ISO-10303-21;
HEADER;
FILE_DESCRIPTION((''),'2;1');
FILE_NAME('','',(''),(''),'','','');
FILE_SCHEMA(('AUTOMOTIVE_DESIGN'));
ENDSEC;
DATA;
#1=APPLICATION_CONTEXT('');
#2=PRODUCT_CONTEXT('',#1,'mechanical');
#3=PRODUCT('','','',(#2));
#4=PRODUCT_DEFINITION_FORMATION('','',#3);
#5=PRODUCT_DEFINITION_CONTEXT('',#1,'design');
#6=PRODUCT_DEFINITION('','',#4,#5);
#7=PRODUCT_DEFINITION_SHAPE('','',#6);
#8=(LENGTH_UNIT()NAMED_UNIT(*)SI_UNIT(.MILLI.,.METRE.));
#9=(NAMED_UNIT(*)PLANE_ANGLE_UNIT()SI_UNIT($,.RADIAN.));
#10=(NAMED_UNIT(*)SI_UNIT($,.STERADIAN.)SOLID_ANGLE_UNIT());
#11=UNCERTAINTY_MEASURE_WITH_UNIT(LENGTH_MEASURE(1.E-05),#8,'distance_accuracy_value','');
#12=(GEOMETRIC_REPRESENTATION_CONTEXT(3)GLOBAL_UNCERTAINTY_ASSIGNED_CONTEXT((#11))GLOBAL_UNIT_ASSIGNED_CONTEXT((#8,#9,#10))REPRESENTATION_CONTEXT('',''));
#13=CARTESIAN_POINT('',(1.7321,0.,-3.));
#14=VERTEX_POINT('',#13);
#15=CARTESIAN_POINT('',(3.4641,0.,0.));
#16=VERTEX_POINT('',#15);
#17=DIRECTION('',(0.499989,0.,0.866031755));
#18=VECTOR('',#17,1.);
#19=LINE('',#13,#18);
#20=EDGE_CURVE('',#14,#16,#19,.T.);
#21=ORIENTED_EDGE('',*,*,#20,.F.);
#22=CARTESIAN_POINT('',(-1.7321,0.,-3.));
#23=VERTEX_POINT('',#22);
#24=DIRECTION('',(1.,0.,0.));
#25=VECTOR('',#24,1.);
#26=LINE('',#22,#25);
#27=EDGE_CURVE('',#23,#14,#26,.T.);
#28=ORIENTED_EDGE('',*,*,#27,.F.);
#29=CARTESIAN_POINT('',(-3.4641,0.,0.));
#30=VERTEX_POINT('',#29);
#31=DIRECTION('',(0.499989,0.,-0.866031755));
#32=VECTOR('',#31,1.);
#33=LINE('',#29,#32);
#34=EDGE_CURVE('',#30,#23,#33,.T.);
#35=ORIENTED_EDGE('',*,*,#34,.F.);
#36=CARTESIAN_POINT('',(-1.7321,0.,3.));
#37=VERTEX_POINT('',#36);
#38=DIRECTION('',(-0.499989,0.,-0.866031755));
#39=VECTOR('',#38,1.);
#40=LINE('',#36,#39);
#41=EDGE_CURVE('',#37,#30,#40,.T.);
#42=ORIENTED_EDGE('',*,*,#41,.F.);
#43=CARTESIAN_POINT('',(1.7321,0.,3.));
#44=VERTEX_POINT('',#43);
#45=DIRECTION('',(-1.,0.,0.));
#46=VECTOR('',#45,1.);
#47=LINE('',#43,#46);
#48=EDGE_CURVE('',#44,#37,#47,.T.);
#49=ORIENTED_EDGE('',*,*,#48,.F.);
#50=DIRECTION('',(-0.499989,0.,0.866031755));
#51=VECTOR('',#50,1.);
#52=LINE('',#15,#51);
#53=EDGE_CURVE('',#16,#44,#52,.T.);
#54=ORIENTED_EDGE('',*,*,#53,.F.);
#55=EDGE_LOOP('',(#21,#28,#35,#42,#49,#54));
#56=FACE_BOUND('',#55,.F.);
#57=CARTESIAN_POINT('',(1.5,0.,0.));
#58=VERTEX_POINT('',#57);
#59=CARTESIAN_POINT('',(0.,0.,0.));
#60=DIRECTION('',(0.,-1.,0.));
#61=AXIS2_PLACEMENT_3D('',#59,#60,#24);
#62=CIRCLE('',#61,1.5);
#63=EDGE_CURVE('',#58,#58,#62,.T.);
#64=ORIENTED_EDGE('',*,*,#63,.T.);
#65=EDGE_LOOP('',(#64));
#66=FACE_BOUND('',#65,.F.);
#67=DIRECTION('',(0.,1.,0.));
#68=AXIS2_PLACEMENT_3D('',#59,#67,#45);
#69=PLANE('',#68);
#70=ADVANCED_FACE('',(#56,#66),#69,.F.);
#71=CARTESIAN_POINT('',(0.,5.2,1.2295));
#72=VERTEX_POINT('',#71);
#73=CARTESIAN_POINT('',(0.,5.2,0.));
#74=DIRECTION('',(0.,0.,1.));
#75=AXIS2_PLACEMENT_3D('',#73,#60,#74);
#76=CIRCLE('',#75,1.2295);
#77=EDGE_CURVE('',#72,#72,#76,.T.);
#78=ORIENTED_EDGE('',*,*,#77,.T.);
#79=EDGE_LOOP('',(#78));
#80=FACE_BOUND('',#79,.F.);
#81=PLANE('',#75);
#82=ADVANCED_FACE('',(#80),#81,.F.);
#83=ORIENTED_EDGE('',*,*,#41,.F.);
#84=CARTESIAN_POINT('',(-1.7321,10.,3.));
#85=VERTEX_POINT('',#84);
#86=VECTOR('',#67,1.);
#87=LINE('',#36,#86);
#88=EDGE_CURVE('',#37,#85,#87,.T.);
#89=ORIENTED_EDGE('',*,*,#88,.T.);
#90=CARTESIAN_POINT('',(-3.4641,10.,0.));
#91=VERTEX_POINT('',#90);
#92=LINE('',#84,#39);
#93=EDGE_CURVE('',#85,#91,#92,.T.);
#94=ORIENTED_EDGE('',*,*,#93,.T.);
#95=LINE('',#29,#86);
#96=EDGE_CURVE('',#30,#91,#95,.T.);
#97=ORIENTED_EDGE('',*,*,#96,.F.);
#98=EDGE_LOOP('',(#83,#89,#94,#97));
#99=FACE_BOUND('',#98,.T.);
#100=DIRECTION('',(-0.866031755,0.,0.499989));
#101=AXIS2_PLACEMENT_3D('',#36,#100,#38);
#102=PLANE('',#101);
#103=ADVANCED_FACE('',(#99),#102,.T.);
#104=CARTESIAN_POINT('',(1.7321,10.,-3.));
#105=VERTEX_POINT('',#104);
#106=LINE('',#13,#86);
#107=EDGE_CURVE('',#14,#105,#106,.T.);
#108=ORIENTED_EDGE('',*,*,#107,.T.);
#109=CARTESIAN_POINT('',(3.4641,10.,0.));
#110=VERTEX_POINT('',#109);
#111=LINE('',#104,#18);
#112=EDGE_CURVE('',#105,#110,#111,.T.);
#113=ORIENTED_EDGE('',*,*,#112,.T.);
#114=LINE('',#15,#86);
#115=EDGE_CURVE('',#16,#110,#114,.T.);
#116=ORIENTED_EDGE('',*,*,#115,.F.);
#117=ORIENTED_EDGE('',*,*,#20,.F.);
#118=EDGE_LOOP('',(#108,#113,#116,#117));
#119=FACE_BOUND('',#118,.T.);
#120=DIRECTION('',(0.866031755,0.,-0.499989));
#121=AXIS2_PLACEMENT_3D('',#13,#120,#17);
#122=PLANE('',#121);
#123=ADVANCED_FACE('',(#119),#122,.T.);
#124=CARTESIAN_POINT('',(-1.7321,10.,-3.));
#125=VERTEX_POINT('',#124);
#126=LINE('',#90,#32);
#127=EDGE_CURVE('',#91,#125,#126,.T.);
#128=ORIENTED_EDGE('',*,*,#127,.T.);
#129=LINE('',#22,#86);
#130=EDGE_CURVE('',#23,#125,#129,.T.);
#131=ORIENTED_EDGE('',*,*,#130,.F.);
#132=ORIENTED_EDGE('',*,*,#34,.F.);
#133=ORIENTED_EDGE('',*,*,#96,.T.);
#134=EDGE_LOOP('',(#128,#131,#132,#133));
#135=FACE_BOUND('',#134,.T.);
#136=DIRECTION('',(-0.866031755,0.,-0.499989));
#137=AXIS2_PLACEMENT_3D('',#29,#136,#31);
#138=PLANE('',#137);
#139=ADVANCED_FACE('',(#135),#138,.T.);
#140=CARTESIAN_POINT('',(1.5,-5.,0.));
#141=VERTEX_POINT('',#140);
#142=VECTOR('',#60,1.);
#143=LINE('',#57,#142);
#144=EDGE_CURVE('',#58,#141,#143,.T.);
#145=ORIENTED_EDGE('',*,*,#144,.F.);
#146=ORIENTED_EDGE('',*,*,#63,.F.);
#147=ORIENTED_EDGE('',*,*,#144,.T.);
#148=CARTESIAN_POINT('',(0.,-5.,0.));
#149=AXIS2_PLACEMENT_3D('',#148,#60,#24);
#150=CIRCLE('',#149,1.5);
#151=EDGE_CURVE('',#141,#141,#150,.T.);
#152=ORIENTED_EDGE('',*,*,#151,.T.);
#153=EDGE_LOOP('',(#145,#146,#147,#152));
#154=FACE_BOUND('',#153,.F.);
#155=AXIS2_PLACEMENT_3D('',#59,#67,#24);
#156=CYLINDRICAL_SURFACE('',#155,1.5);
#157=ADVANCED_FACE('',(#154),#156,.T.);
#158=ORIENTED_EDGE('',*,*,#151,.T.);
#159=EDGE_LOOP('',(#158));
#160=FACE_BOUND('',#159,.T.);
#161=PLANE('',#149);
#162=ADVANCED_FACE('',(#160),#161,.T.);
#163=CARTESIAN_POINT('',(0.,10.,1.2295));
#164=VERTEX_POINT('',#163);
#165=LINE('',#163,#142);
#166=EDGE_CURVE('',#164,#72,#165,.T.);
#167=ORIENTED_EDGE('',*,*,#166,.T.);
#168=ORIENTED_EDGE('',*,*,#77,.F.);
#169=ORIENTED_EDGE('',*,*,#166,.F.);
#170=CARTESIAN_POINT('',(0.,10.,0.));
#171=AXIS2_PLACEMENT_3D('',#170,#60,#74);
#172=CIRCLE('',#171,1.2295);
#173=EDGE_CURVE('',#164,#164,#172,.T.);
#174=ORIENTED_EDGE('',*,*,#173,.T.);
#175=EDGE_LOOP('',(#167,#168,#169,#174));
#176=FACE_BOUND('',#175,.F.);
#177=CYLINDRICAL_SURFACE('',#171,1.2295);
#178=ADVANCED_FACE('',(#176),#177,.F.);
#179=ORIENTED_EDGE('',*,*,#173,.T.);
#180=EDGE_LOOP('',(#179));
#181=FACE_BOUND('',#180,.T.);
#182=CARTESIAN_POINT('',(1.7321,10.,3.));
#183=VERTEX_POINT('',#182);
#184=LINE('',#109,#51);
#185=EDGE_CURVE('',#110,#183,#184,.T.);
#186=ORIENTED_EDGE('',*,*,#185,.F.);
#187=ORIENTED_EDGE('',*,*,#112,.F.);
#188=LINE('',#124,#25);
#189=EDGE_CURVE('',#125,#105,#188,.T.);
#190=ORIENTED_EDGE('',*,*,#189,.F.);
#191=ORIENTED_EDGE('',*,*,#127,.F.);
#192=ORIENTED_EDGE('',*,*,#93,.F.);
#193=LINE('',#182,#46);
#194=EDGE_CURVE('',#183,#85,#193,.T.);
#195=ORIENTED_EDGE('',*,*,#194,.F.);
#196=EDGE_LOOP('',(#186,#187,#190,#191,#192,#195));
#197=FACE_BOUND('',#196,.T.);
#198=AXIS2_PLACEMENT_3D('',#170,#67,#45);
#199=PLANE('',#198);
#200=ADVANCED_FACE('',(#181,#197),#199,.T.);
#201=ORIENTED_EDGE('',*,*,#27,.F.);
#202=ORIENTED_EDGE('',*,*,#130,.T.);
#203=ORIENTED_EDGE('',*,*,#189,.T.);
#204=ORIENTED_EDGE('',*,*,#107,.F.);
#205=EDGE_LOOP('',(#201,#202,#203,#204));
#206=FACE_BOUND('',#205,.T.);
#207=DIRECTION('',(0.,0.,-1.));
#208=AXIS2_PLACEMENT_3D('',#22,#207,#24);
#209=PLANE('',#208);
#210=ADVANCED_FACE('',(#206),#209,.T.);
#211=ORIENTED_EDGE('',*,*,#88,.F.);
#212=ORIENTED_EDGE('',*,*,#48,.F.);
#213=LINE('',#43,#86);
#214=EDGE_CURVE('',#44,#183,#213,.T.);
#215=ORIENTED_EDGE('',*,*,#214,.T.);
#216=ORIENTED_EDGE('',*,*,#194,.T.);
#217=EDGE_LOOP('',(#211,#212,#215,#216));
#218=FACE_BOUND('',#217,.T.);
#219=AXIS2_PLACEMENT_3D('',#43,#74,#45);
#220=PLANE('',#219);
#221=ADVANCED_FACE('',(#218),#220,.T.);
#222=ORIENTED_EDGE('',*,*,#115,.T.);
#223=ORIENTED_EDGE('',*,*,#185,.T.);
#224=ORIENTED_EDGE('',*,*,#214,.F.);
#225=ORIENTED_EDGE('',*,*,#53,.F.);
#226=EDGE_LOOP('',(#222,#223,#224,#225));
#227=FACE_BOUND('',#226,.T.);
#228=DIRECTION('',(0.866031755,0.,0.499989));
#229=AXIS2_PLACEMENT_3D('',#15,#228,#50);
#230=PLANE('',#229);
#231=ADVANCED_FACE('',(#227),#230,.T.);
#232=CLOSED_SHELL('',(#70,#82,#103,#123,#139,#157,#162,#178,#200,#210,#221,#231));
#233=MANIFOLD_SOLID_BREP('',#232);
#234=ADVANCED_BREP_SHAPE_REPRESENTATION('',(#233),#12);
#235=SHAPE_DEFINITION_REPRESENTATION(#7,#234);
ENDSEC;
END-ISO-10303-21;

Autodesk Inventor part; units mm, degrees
ref_plane "YZ Plane" through (0, 0, 0) normal (1, 0, 0) x (0, 1, 0)
ref_plane "XZ Plane" through (0, 0, 0) normal (0, 1, 0) x (-1, 0, 0)
ref_plane "XY Plane" through (0, 0, 0) normal (0, 0, 1) x (1, 0, 0)
sketch "スケッチ1" plane through (0, 0, 0) normal (0, 1, 0) x (-1, 0, 0)
  line L0 (1.7321, -3) -> (-1.7321, -3)
  line L1 (-1.7321, -3) -> (-3.4641, 0)
  line L2 (-3.4641, 0) -> (-1.7321, 3)
  line L3 (-1.7321, 3) -> (1.7321, 3)
  line L4 (1.7321, 3) -> (3.4641, 0)
  line L5 (3.4641, 0) -> (1.7321, -3)
  line L6 (1.7321, -3) -> (-1.7321, 3) construction
  line L7 (-3.4641, 0) -> (3.4641, 0) construction
  line L8 (-1.7321, -3) -> (1.7321, 3) construction
  point P0 (0, 0)
  point P1 (0, 0)
  point P2 (0, 0)
  dimension "d0" = 6
extrude "押し出し1" add sketch "スケッチ1" along normal blind 10
sketch "スケッチ2" plane through (0, 10, 0) normal (0, 1, 0) x (1, 0, 0)
  point P0 (0, 0)
  point P1 (0, 0)
hole "穴1" at (0, 10, 0) direction (0, -1, 0) diameter 2.459 depth 4.8 thread size "M3x0.5" class "6H" standard "ISO Metric profile"
sketch "スケッチ3" plane through (0, 0, 0) normal (0, -1, 0) x (1, 0, 0)
  circle A0 centre (0, 0) radius 1.5
  dimension "d10" = 3
extrude "押し出し2" add sketch "スケッチ3" along normal blind 5
thread "ねじ1" size "M3x0.5" class "6g" standard "ISO Metric profile" full length
properties part number "Spacer10mm" material "アセタール樹脂、黒"
